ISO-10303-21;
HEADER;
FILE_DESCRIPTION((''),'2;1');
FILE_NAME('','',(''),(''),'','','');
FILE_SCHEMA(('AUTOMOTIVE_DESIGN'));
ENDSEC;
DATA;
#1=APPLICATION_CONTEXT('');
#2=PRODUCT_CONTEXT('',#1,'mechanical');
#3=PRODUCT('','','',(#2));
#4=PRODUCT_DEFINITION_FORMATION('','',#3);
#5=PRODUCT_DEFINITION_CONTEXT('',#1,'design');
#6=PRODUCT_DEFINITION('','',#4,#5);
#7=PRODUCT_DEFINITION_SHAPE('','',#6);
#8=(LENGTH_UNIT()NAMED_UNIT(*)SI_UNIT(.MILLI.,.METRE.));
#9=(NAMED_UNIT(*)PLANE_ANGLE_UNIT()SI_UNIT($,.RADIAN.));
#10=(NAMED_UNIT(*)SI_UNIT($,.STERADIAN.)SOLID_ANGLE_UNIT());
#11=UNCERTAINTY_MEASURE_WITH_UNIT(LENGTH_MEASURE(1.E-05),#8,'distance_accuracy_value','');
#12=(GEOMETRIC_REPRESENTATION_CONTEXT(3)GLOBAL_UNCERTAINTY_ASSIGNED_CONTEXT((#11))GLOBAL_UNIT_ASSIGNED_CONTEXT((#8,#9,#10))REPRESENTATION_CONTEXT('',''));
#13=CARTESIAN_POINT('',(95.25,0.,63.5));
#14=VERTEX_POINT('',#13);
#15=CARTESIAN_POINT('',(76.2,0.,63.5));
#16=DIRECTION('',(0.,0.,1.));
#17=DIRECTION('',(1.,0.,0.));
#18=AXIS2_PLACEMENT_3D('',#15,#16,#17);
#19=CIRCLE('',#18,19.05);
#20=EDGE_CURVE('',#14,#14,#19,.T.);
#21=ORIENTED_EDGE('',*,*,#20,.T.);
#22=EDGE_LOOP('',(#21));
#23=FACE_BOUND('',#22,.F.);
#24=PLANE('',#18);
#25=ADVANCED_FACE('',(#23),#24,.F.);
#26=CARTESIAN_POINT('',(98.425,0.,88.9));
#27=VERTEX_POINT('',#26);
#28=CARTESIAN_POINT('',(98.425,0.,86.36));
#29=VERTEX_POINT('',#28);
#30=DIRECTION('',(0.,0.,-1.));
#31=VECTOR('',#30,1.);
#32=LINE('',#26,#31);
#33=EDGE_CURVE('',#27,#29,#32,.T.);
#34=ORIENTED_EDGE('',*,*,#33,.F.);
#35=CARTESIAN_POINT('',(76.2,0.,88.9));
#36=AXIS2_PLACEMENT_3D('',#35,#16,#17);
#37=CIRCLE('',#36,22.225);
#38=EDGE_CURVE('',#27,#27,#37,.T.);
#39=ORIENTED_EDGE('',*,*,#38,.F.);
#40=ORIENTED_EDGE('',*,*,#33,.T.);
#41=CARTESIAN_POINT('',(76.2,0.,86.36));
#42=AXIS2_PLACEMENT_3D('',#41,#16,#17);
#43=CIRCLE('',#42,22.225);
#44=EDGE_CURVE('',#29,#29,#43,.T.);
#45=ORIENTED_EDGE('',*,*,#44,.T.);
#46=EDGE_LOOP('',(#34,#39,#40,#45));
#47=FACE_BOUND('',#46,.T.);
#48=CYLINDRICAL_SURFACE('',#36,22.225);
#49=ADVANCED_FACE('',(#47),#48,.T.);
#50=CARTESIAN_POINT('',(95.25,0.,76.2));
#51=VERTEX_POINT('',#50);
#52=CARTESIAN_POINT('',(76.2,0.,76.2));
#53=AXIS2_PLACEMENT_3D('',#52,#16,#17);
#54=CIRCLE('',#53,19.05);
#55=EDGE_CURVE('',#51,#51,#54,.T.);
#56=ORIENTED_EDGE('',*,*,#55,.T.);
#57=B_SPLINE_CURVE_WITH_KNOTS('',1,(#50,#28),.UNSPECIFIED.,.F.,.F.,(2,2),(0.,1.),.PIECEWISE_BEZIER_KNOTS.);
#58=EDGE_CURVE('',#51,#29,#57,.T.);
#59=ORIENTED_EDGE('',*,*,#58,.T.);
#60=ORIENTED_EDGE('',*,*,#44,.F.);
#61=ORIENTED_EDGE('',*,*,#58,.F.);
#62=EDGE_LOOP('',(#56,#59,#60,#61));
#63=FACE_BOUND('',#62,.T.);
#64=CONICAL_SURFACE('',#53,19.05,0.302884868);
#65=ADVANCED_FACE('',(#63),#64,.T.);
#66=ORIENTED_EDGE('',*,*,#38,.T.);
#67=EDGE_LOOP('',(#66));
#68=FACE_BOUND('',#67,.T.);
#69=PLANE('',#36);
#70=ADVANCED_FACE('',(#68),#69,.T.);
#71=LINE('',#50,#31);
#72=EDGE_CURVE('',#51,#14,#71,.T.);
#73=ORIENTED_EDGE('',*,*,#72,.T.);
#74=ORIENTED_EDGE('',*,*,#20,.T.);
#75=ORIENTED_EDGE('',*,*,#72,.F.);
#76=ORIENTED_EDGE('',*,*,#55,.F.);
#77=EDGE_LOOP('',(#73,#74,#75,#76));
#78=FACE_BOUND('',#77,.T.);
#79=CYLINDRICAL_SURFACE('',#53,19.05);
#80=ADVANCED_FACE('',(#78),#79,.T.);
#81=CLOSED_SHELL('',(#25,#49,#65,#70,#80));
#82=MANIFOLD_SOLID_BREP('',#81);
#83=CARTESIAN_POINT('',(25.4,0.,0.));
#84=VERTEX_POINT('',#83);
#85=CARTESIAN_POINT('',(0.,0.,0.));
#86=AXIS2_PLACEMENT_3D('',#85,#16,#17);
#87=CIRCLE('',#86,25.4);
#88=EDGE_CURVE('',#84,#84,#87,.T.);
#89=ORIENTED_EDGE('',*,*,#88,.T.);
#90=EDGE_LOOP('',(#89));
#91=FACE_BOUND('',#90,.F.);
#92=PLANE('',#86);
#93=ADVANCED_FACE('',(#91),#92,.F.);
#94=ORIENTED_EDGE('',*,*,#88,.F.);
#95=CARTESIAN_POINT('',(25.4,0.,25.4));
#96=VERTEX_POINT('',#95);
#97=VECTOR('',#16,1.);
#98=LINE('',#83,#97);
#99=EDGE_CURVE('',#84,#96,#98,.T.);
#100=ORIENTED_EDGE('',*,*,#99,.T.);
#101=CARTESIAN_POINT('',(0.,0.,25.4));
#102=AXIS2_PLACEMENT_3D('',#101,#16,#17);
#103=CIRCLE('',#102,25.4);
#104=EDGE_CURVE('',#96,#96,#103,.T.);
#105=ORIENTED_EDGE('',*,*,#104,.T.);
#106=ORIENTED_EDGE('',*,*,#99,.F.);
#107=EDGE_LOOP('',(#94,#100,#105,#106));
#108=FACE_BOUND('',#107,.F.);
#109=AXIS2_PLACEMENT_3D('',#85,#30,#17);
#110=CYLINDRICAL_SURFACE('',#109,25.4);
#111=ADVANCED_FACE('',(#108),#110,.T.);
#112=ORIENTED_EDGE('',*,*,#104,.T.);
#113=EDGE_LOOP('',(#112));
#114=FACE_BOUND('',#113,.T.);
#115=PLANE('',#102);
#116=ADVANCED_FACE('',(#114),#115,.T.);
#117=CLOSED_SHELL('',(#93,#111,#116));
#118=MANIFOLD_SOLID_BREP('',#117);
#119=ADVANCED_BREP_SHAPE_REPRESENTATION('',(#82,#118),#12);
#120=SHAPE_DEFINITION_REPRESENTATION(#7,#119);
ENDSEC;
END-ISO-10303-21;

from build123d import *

# Parameters (mm, degrees)
F0_R      = 25.4
F1_DEPTH  = 25.4
F3_R      = 19.05
F4_DEPTH  = 12.7
F6_R      = 22.225
F7_DEPTH  = 2.54
F4_FACE_R = 19.05
F7_FACE_R = 22.225


with BuildPart() as f1:
    # F0 (on Top) → F1 (new body)
    with BuildSketch(Plane.XY):
        Circle(F0_R)
    extrude(amount=F1_DEPTH)


with BuildPart() as f4:
    # F3 (on offset) → F4 (new body)
    with BuildSketch(Plane.XY.offset(76.2)):
        with Locations((76.2, 0)):
            Circle(F3_R)
    extrude(amount=-F4_DEPTH)



with BuildPart() as f7:
    # F6 (on offset) → F7 (new body)
    with BuildSketch(Plane.XY.offset(88.9)):
        with Locations((76.2, 0)):
            Circle(F6_R)
    extrude(amount=-F7_DEPTH)


with BuildPart() as f4_1:
    add(f4.part)

    add(f7.part)  # F8 merges F7
    # F4_face (on face) → F8 section 0
    with BuildSketch(Plane(origin=(76.2, 0, 76.2), x_dir=(1, 0, 0), z_dir=(0, 0, 1))):
        Circle(F4_FACE_R)
    # F7_face (on face) → F8 section 1
    with BuildSketch(Plane(origin=(76.2, 0, 86.36), x_dir=(1, 0, 0), z_dir=(0, 0, -1))):
        Circle(F7_FACE_R)
    loft()


solid = Compound([f1.part, f4_1.part])
